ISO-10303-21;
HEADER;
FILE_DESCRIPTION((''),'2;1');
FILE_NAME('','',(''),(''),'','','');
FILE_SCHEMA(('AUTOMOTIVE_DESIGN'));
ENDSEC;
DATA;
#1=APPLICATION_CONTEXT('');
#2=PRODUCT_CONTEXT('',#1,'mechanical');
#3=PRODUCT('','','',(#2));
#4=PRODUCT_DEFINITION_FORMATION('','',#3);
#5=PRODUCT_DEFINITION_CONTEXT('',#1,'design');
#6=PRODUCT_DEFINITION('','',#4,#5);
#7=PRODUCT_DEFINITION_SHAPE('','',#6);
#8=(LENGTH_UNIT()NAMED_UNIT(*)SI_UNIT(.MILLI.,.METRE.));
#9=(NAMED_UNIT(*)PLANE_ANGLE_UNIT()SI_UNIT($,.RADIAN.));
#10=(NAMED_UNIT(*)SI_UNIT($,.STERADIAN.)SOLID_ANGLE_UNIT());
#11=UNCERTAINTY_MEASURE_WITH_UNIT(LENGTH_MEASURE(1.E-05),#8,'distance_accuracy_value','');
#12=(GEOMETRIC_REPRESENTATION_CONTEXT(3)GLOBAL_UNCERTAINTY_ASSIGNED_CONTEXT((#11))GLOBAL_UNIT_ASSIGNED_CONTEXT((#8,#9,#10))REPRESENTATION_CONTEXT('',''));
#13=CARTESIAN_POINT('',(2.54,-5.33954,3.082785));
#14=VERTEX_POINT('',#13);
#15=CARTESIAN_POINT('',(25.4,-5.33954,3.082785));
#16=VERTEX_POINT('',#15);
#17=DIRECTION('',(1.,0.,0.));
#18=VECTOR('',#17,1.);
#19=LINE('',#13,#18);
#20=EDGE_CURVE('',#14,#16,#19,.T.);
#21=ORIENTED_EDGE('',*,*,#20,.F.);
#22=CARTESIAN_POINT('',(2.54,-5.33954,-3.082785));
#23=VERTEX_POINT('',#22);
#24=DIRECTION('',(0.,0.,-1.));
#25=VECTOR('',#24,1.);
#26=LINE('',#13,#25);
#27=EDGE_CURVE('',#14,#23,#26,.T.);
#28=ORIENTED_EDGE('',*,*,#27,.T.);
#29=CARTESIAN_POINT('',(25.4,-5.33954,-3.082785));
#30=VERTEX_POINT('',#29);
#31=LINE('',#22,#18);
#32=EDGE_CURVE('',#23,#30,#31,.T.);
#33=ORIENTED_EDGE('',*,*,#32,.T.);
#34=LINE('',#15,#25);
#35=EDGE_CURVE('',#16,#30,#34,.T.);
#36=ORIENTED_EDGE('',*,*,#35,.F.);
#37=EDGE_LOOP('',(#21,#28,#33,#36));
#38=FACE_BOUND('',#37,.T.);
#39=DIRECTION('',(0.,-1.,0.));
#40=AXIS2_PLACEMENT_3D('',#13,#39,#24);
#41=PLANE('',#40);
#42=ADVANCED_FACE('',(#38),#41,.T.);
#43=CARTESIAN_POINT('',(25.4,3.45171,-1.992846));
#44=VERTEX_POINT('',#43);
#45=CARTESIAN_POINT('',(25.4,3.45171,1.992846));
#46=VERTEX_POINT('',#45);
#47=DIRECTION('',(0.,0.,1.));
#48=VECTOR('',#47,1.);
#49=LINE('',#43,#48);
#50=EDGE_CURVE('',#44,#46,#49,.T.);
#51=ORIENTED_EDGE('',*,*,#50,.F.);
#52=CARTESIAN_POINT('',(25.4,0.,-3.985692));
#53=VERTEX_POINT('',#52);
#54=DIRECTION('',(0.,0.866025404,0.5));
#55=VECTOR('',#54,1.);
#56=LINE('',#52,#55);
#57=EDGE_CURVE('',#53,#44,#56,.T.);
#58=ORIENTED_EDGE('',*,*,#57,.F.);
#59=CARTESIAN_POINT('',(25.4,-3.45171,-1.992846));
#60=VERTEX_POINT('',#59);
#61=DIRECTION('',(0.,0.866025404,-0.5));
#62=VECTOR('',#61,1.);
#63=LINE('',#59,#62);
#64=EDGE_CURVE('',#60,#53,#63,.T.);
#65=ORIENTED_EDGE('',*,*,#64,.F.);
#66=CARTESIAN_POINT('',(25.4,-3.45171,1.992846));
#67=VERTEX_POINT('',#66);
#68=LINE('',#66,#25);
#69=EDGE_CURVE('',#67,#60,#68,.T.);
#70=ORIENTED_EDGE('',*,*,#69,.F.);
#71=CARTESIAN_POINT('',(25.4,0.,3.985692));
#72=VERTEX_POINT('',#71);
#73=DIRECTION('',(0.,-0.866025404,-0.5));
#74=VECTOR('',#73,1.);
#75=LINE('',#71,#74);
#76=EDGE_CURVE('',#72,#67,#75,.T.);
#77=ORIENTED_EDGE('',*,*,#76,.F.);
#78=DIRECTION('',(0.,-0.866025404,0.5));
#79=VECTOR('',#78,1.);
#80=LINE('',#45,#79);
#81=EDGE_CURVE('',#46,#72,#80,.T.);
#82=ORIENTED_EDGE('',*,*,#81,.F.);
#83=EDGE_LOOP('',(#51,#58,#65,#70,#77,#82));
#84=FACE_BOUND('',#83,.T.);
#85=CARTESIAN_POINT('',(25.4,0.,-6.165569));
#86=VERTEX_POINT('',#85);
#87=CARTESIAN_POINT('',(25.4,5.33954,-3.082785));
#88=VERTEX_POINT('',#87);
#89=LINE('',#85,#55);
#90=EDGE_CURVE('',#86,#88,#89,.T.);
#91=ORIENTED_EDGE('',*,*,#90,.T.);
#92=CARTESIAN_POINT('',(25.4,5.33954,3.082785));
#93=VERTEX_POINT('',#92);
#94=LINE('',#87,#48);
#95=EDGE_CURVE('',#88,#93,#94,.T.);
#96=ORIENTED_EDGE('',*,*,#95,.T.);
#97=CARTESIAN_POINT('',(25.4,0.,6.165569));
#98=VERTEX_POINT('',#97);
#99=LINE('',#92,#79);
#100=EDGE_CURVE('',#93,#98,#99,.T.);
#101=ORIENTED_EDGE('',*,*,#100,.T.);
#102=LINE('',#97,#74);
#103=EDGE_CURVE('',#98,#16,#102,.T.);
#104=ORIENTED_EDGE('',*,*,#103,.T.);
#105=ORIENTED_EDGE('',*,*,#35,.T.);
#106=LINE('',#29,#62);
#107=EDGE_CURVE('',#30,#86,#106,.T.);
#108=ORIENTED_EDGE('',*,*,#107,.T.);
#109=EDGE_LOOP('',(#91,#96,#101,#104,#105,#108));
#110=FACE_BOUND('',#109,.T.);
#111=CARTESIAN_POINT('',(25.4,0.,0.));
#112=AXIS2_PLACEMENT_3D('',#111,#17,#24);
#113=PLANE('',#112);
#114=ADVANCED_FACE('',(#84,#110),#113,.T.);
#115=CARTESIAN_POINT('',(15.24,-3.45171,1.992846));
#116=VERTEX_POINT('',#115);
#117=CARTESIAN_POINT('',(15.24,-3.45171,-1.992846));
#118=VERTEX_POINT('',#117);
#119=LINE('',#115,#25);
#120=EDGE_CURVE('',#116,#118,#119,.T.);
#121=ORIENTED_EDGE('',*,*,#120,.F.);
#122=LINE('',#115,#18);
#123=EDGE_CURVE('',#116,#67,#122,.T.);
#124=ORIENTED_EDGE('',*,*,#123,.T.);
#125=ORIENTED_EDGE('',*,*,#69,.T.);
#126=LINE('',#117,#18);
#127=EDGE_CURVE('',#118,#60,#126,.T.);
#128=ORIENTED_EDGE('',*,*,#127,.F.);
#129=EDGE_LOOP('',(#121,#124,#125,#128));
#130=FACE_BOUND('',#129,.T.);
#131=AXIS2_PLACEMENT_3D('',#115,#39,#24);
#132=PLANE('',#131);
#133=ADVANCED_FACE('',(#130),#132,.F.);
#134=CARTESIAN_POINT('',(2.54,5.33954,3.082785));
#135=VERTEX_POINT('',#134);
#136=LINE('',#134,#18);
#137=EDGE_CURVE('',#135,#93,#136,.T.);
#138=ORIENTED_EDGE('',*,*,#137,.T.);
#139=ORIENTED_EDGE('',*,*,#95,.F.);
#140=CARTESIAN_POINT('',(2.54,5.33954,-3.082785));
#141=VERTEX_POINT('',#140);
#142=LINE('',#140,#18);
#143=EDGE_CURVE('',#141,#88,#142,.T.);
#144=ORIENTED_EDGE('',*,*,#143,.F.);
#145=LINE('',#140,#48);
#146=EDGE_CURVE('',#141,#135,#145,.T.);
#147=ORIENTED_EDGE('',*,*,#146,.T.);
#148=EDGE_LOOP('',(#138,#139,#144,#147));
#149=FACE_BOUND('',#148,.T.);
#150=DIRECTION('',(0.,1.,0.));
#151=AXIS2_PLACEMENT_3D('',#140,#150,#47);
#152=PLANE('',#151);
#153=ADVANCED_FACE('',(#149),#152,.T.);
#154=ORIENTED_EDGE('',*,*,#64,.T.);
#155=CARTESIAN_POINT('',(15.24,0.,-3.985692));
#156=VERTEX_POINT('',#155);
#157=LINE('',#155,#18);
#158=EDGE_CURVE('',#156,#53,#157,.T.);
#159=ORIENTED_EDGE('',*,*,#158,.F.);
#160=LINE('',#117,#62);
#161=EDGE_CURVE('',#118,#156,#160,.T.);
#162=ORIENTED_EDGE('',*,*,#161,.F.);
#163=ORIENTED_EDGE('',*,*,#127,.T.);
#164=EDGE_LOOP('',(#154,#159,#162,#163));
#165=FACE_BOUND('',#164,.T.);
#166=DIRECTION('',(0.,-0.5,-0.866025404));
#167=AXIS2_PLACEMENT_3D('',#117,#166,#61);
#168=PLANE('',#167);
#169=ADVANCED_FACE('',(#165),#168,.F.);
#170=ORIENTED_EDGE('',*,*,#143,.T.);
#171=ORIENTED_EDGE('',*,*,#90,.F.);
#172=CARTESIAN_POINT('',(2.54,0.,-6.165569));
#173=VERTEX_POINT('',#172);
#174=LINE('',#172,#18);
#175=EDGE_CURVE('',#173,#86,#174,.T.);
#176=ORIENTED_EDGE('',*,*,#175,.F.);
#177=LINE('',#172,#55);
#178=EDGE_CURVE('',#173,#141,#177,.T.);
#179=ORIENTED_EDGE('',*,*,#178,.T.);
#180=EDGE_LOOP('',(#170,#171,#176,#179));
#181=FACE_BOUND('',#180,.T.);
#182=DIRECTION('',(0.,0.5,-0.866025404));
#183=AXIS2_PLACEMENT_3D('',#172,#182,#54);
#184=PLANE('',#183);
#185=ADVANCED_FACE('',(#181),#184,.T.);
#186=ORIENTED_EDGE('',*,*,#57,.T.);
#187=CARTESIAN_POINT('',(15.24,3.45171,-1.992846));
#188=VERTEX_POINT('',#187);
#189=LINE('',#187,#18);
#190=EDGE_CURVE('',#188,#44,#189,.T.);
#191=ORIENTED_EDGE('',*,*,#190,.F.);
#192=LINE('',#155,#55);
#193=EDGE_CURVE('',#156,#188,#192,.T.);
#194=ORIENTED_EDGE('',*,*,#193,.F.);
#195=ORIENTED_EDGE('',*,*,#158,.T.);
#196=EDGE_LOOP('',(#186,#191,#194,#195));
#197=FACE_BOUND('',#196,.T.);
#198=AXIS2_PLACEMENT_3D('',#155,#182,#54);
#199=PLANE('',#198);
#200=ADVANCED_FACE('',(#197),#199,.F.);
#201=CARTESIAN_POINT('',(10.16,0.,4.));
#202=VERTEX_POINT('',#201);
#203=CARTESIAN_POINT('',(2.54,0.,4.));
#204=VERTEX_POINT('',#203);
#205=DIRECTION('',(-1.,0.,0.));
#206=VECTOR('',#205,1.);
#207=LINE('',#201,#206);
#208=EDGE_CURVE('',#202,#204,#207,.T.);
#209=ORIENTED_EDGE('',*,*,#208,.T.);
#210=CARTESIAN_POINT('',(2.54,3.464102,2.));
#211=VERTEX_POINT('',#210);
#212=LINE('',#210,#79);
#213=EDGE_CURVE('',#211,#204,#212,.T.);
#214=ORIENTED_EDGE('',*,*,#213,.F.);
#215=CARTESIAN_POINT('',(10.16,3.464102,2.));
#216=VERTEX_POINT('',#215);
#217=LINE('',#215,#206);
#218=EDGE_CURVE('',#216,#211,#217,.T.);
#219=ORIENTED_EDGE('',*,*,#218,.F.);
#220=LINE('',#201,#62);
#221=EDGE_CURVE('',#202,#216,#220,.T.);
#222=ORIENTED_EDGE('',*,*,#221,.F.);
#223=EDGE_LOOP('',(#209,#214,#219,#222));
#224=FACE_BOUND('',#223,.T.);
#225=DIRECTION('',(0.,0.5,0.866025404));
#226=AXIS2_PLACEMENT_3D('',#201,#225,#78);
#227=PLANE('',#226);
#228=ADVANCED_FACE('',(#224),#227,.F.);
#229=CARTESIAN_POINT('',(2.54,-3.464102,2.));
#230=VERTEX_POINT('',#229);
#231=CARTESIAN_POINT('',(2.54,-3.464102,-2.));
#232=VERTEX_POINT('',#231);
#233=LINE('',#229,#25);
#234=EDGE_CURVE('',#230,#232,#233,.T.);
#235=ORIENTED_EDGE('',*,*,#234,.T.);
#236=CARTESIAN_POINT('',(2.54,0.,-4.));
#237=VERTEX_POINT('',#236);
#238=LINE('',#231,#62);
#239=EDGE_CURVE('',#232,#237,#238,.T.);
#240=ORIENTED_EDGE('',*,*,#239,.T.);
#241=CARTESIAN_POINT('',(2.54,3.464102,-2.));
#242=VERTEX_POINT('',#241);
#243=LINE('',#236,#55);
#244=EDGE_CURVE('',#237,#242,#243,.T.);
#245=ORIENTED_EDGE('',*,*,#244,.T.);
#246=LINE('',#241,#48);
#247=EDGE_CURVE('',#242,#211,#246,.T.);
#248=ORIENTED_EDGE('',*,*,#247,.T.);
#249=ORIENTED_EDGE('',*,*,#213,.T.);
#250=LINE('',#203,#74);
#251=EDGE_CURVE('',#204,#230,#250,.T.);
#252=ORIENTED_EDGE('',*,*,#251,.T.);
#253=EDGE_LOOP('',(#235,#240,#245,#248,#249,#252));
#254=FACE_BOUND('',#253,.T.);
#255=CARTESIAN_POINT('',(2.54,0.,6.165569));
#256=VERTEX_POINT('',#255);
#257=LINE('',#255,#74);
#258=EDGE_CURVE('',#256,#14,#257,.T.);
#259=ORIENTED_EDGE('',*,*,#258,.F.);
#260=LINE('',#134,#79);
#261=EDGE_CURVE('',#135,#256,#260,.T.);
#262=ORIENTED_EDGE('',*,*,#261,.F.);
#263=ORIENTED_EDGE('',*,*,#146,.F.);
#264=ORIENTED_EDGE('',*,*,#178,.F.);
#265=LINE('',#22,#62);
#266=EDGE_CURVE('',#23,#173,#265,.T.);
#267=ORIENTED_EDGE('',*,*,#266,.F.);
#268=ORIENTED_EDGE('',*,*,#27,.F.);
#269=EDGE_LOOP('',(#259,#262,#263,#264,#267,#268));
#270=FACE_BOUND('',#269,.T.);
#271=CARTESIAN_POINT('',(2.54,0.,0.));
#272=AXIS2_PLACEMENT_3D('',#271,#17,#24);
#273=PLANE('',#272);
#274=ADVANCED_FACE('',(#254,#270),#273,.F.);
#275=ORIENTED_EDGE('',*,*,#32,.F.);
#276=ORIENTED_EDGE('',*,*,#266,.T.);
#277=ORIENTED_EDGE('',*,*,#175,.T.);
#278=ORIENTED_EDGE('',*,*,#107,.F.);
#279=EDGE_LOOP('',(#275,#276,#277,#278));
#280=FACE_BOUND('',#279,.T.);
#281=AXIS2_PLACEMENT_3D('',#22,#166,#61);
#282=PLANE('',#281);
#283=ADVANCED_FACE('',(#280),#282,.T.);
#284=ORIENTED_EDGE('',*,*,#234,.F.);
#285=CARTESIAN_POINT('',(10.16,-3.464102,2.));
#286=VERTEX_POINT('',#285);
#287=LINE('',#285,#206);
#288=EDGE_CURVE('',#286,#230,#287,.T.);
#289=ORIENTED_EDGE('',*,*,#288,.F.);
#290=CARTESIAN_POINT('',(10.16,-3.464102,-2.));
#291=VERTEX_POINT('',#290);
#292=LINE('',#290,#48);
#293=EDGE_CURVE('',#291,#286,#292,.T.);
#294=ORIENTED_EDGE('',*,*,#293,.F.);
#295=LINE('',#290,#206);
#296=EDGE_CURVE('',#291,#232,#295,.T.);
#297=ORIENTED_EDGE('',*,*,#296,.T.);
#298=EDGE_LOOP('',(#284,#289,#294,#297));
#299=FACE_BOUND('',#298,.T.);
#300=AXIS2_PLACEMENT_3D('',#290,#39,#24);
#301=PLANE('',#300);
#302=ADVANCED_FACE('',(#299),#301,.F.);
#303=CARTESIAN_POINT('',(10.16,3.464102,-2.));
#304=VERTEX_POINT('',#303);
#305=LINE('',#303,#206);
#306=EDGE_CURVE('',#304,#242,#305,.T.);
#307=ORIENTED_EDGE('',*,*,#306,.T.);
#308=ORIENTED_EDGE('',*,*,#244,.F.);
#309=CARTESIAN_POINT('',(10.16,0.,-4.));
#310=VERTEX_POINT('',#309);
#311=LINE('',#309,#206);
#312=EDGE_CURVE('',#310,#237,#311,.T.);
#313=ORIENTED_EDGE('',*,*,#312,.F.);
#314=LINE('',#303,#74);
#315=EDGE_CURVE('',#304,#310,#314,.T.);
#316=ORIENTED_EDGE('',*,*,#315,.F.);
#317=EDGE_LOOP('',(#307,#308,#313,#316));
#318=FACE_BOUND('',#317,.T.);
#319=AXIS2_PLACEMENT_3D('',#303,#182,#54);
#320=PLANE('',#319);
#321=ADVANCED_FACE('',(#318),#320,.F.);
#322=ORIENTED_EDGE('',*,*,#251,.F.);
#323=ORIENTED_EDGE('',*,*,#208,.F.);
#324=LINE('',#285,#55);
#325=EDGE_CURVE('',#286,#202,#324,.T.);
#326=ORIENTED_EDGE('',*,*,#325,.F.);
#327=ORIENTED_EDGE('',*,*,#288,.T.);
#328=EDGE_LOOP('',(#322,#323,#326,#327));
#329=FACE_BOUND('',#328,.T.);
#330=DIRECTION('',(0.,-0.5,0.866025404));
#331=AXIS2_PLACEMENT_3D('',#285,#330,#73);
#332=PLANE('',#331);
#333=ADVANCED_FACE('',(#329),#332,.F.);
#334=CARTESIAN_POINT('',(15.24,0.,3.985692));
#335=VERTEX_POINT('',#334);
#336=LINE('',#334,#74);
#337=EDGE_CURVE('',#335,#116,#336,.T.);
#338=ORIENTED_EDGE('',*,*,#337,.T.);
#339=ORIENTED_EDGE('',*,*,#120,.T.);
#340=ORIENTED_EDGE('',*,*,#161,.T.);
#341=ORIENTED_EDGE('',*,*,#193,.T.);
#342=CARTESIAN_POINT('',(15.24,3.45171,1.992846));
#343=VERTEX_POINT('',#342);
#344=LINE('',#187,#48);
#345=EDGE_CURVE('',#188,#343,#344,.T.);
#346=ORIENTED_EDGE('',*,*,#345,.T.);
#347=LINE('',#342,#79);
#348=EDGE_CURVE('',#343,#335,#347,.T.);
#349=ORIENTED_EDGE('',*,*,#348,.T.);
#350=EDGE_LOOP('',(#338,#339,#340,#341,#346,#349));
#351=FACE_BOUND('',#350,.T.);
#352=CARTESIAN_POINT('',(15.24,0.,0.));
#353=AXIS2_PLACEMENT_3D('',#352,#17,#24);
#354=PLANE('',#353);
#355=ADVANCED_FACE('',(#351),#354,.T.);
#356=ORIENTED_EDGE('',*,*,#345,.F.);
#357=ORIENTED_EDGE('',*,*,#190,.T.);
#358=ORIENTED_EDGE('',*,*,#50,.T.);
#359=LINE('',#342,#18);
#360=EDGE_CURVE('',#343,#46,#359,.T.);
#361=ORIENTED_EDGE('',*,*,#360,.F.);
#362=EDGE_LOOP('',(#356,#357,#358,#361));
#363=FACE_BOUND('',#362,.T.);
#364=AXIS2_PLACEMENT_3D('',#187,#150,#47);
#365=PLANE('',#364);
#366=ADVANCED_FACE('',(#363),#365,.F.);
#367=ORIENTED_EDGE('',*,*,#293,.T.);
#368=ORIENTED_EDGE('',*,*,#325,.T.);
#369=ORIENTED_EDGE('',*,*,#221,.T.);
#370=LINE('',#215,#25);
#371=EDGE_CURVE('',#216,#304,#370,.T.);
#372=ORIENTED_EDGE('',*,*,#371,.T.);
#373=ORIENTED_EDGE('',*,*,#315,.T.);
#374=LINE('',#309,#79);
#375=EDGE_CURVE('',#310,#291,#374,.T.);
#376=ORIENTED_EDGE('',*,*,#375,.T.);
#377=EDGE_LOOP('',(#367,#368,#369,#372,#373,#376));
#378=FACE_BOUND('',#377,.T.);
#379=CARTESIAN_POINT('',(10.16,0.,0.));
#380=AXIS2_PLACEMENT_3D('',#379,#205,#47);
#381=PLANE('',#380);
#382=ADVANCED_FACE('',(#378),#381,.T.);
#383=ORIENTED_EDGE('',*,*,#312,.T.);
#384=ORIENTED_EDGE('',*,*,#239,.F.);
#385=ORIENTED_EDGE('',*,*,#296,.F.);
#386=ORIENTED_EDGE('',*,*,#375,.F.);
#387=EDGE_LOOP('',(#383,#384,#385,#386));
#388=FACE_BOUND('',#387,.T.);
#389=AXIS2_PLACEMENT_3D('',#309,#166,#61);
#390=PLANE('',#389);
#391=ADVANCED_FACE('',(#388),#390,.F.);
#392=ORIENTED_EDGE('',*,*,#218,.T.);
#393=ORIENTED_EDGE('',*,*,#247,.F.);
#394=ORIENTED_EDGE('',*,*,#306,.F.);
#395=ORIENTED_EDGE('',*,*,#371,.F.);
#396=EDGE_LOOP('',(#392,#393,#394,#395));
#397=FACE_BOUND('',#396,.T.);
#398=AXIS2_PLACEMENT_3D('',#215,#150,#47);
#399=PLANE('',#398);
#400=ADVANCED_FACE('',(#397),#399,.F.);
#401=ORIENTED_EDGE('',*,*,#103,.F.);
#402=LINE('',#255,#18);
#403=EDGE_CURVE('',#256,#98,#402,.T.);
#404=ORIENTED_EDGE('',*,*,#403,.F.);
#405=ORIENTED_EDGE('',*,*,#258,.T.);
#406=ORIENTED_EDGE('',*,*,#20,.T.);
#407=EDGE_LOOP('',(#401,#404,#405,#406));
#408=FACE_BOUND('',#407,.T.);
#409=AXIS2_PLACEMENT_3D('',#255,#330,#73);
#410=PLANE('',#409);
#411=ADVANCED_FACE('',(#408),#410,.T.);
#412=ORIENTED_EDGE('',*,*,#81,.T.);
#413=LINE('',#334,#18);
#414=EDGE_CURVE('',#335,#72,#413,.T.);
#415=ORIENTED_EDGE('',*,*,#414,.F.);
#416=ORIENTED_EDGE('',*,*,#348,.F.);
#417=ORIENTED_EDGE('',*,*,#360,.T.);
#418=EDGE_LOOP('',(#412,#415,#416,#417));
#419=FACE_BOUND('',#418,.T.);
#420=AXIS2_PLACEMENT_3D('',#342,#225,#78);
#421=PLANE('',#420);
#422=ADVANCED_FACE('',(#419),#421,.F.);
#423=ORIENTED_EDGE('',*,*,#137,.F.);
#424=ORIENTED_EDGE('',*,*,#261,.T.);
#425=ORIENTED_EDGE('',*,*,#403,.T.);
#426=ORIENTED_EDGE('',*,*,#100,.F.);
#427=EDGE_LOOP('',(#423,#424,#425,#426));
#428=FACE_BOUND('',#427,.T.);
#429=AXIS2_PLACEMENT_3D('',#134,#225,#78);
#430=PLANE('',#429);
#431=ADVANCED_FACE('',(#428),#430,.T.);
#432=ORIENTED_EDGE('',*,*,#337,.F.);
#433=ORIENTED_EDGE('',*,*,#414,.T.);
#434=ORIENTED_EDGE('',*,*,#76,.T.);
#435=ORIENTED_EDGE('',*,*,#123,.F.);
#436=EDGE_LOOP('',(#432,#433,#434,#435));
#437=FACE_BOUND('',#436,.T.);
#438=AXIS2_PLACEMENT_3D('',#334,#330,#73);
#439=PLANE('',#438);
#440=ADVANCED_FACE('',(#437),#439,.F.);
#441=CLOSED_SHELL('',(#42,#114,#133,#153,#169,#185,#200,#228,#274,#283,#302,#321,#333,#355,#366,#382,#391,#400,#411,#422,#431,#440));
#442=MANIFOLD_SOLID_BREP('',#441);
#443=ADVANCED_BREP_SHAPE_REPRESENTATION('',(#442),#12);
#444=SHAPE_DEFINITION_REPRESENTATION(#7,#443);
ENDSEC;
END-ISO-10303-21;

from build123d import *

# Parameters (mm, degrees)
BOSS_EXTRUDE5_DEPTH = 25.4
BOSS_EXTRUDE6_DEPTH = 22.86
CUT_EXTRUDE2_DEPTH  = 10.16
CUT_EXTRUDE4_DEPTH  = 10.16


with BuildPart() as part:
    # Sketch5 → Boss-Extrude5 (new body)
    with BuildSketch(Plane(origin=(0, 0, 0), x_dir=(0, 0, -1), z_dir=(1, 0, 0))):
        Polygon((4, 0), (2, 3.464101615), (-2, 3.464101615), (-4, 0), (-2, -3.464101615), (2, -3.464101615), align=None)
    extrude(amount=BOSS_EXTRUDE5_DEPTH)

    # Sketch7 → Boss-Extrude6 (add)
    with BuildSketch(Plane(origin=(25.4, 0, 0), x_dir=(0, 0, -1), z_dir=(1, 0, 0))):
        Polygon((6.165569463, 0), (3.082784731, 5.339539784), (-3.082784731, 5.339539784), (-6.165569463, 0), (-3.082784731, -5.339539784), (3.082784731, -5.339539784), align=None)
    extrude(amount=-BOSS_EXTRUDE6_DEPTH)

    # Sketch8 → Cut-Extrude2 (cut)
    with BuildSketch(Plane.ZY):
        Polygon((4, 0), (2, 3.464101615), (-2, 3.464101615), (-4, 0), (-2, -3.464101615), (2, -3.464101615), align=None)
    extrude(amount=-CUT_EXTRUDE2_DEPTH, mode=Mode.SUBTRACT)

    # Sketch12 → Cut-Extrude4 (cut)
    with BuildSketch(Plane(origin=(25.4, 0, 0), x_dir=(0, 0, -1), z_dir=(1, 0, 0))):
        Polygon((1.992845787, 3.451710154), (-1.992845787, 3.451710154), (-3.985691573, 0), (-1.992845787, -3.451710154), (1.992845787, -3.451710154), (3.985691573, 0), align=None)
    extrude(amount=-CUT_EXTRUDE4_DEPTH, mode=Mode.SUBTRACT)


solid = part.part
